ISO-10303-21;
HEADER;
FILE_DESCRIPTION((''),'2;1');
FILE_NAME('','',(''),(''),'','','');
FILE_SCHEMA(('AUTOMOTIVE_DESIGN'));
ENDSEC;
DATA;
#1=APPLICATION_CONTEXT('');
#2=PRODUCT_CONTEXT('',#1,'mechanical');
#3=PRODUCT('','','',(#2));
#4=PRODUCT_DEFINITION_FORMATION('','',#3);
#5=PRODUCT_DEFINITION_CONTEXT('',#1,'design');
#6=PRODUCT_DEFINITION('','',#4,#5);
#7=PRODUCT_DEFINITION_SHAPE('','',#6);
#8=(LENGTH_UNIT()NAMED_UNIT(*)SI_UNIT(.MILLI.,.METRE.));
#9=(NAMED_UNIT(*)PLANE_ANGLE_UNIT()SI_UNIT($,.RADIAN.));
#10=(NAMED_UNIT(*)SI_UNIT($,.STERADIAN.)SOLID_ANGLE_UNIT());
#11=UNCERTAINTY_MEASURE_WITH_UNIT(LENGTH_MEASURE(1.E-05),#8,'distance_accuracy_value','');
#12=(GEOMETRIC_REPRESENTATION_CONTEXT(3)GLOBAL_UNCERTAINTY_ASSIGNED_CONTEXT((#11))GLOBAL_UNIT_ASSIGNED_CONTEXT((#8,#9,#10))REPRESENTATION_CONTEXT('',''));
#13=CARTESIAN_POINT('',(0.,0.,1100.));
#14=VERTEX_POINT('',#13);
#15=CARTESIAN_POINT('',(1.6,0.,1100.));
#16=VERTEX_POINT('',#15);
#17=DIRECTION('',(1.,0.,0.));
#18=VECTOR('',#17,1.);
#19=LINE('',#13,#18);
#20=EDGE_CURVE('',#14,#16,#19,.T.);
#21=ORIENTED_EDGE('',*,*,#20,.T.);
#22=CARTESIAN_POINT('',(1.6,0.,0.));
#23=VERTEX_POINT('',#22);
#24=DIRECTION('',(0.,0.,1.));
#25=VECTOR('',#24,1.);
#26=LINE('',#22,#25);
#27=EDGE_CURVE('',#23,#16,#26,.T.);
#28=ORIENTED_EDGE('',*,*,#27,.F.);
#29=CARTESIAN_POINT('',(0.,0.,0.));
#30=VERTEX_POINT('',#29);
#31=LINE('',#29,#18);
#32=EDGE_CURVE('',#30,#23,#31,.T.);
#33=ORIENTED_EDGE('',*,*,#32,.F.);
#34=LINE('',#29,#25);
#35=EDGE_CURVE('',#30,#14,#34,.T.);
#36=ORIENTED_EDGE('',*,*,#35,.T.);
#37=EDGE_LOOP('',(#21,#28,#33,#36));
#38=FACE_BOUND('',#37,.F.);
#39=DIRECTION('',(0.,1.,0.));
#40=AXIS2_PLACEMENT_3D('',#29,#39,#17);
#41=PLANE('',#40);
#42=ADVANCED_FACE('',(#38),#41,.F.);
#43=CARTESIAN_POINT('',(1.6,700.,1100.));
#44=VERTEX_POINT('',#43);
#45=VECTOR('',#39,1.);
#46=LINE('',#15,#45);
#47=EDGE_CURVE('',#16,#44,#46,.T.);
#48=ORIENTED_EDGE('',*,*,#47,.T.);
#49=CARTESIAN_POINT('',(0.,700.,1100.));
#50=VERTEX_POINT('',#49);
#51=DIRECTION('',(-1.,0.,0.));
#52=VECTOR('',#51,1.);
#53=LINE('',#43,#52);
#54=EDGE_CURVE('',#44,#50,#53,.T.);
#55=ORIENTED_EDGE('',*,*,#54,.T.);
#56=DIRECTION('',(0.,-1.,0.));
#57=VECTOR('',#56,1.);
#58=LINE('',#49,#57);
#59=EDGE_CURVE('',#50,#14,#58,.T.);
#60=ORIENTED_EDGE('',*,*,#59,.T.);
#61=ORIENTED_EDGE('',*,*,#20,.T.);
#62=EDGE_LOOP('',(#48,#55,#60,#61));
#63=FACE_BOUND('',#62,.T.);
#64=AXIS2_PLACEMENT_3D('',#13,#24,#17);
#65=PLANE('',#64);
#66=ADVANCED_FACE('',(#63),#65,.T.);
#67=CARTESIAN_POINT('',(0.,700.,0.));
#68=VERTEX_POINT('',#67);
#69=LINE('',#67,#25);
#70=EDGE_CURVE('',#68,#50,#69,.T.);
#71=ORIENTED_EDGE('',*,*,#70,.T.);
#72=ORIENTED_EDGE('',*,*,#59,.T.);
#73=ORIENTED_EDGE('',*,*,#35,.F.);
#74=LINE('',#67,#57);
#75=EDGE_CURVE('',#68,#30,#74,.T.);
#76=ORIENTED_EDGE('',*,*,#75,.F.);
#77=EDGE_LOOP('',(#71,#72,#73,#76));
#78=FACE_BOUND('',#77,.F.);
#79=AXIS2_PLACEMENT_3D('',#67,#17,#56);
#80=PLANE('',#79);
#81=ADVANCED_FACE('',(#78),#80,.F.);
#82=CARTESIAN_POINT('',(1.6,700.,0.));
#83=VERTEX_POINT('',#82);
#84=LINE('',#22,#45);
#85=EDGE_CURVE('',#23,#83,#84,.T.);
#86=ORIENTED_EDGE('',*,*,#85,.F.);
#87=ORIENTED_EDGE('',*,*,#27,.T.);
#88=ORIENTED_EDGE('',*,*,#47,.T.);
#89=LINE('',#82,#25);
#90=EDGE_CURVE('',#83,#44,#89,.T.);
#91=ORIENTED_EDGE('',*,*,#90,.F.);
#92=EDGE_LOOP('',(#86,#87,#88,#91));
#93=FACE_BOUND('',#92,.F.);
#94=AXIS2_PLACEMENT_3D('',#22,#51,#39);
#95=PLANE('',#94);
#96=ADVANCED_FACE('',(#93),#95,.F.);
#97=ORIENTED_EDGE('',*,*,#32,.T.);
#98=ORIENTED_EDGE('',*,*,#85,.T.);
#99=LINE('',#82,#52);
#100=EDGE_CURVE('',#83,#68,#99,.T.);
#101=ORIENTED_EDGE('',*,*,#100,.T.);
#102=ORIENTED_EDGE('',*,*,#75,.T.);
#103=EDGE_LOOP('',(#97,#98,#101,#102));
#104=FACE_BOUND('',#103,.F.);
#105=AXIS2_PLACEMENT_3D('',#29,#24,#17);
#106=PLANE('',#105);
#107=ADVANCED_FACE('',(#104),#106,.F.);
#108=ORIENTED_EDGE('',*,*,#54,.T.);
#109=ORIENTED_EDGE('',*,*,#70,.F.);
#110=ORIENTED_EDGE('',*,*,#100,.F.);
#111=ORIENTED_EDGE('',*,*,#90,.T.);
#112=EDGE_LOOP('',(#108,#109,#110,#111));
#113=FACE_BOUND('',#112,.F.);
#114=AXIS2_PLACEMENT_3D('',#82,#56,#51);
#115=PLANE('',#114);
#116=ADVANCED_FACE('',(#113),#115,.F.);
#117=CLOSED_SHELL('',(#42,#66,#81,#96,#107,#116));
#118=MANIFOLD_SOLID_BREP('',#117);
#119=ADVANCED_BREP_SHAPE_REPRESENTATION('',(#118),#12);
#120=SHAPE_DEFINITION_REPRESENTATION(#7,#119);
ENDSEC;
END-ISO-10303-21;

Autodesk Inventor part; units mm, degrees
ref_plane "YZ Plane" through (0, 0, 0) normal (1, 0, 0) x (0, 1, 0)
ref_plane "XZ Plane" through (0, 0, 0) normal (0, 1, 0) x (-1, 0, 0)
ref_plane "XY Plane" through (0, 0, 0) normal (0, 0, 1) x (1, 0, 0)
sketch "Sketch1" plane through (0, 0, 0) normal (0, 0, 1) x (1, 0, 0)
  line L0 (0, 0) -> (1.6, 0)
  line L1 (1.6, 0) -> (1.6, 700)
  line L2 (1.6, 700) -> (0, 700)
  line L3 (0, 700) -> (0, 0)
  dimension "d0" = 700
  dimension "d1" = 1.6
extrude "Extrusion1" add sketch "Sketch1" along normal blind 1100
properties part number "cover 2"
